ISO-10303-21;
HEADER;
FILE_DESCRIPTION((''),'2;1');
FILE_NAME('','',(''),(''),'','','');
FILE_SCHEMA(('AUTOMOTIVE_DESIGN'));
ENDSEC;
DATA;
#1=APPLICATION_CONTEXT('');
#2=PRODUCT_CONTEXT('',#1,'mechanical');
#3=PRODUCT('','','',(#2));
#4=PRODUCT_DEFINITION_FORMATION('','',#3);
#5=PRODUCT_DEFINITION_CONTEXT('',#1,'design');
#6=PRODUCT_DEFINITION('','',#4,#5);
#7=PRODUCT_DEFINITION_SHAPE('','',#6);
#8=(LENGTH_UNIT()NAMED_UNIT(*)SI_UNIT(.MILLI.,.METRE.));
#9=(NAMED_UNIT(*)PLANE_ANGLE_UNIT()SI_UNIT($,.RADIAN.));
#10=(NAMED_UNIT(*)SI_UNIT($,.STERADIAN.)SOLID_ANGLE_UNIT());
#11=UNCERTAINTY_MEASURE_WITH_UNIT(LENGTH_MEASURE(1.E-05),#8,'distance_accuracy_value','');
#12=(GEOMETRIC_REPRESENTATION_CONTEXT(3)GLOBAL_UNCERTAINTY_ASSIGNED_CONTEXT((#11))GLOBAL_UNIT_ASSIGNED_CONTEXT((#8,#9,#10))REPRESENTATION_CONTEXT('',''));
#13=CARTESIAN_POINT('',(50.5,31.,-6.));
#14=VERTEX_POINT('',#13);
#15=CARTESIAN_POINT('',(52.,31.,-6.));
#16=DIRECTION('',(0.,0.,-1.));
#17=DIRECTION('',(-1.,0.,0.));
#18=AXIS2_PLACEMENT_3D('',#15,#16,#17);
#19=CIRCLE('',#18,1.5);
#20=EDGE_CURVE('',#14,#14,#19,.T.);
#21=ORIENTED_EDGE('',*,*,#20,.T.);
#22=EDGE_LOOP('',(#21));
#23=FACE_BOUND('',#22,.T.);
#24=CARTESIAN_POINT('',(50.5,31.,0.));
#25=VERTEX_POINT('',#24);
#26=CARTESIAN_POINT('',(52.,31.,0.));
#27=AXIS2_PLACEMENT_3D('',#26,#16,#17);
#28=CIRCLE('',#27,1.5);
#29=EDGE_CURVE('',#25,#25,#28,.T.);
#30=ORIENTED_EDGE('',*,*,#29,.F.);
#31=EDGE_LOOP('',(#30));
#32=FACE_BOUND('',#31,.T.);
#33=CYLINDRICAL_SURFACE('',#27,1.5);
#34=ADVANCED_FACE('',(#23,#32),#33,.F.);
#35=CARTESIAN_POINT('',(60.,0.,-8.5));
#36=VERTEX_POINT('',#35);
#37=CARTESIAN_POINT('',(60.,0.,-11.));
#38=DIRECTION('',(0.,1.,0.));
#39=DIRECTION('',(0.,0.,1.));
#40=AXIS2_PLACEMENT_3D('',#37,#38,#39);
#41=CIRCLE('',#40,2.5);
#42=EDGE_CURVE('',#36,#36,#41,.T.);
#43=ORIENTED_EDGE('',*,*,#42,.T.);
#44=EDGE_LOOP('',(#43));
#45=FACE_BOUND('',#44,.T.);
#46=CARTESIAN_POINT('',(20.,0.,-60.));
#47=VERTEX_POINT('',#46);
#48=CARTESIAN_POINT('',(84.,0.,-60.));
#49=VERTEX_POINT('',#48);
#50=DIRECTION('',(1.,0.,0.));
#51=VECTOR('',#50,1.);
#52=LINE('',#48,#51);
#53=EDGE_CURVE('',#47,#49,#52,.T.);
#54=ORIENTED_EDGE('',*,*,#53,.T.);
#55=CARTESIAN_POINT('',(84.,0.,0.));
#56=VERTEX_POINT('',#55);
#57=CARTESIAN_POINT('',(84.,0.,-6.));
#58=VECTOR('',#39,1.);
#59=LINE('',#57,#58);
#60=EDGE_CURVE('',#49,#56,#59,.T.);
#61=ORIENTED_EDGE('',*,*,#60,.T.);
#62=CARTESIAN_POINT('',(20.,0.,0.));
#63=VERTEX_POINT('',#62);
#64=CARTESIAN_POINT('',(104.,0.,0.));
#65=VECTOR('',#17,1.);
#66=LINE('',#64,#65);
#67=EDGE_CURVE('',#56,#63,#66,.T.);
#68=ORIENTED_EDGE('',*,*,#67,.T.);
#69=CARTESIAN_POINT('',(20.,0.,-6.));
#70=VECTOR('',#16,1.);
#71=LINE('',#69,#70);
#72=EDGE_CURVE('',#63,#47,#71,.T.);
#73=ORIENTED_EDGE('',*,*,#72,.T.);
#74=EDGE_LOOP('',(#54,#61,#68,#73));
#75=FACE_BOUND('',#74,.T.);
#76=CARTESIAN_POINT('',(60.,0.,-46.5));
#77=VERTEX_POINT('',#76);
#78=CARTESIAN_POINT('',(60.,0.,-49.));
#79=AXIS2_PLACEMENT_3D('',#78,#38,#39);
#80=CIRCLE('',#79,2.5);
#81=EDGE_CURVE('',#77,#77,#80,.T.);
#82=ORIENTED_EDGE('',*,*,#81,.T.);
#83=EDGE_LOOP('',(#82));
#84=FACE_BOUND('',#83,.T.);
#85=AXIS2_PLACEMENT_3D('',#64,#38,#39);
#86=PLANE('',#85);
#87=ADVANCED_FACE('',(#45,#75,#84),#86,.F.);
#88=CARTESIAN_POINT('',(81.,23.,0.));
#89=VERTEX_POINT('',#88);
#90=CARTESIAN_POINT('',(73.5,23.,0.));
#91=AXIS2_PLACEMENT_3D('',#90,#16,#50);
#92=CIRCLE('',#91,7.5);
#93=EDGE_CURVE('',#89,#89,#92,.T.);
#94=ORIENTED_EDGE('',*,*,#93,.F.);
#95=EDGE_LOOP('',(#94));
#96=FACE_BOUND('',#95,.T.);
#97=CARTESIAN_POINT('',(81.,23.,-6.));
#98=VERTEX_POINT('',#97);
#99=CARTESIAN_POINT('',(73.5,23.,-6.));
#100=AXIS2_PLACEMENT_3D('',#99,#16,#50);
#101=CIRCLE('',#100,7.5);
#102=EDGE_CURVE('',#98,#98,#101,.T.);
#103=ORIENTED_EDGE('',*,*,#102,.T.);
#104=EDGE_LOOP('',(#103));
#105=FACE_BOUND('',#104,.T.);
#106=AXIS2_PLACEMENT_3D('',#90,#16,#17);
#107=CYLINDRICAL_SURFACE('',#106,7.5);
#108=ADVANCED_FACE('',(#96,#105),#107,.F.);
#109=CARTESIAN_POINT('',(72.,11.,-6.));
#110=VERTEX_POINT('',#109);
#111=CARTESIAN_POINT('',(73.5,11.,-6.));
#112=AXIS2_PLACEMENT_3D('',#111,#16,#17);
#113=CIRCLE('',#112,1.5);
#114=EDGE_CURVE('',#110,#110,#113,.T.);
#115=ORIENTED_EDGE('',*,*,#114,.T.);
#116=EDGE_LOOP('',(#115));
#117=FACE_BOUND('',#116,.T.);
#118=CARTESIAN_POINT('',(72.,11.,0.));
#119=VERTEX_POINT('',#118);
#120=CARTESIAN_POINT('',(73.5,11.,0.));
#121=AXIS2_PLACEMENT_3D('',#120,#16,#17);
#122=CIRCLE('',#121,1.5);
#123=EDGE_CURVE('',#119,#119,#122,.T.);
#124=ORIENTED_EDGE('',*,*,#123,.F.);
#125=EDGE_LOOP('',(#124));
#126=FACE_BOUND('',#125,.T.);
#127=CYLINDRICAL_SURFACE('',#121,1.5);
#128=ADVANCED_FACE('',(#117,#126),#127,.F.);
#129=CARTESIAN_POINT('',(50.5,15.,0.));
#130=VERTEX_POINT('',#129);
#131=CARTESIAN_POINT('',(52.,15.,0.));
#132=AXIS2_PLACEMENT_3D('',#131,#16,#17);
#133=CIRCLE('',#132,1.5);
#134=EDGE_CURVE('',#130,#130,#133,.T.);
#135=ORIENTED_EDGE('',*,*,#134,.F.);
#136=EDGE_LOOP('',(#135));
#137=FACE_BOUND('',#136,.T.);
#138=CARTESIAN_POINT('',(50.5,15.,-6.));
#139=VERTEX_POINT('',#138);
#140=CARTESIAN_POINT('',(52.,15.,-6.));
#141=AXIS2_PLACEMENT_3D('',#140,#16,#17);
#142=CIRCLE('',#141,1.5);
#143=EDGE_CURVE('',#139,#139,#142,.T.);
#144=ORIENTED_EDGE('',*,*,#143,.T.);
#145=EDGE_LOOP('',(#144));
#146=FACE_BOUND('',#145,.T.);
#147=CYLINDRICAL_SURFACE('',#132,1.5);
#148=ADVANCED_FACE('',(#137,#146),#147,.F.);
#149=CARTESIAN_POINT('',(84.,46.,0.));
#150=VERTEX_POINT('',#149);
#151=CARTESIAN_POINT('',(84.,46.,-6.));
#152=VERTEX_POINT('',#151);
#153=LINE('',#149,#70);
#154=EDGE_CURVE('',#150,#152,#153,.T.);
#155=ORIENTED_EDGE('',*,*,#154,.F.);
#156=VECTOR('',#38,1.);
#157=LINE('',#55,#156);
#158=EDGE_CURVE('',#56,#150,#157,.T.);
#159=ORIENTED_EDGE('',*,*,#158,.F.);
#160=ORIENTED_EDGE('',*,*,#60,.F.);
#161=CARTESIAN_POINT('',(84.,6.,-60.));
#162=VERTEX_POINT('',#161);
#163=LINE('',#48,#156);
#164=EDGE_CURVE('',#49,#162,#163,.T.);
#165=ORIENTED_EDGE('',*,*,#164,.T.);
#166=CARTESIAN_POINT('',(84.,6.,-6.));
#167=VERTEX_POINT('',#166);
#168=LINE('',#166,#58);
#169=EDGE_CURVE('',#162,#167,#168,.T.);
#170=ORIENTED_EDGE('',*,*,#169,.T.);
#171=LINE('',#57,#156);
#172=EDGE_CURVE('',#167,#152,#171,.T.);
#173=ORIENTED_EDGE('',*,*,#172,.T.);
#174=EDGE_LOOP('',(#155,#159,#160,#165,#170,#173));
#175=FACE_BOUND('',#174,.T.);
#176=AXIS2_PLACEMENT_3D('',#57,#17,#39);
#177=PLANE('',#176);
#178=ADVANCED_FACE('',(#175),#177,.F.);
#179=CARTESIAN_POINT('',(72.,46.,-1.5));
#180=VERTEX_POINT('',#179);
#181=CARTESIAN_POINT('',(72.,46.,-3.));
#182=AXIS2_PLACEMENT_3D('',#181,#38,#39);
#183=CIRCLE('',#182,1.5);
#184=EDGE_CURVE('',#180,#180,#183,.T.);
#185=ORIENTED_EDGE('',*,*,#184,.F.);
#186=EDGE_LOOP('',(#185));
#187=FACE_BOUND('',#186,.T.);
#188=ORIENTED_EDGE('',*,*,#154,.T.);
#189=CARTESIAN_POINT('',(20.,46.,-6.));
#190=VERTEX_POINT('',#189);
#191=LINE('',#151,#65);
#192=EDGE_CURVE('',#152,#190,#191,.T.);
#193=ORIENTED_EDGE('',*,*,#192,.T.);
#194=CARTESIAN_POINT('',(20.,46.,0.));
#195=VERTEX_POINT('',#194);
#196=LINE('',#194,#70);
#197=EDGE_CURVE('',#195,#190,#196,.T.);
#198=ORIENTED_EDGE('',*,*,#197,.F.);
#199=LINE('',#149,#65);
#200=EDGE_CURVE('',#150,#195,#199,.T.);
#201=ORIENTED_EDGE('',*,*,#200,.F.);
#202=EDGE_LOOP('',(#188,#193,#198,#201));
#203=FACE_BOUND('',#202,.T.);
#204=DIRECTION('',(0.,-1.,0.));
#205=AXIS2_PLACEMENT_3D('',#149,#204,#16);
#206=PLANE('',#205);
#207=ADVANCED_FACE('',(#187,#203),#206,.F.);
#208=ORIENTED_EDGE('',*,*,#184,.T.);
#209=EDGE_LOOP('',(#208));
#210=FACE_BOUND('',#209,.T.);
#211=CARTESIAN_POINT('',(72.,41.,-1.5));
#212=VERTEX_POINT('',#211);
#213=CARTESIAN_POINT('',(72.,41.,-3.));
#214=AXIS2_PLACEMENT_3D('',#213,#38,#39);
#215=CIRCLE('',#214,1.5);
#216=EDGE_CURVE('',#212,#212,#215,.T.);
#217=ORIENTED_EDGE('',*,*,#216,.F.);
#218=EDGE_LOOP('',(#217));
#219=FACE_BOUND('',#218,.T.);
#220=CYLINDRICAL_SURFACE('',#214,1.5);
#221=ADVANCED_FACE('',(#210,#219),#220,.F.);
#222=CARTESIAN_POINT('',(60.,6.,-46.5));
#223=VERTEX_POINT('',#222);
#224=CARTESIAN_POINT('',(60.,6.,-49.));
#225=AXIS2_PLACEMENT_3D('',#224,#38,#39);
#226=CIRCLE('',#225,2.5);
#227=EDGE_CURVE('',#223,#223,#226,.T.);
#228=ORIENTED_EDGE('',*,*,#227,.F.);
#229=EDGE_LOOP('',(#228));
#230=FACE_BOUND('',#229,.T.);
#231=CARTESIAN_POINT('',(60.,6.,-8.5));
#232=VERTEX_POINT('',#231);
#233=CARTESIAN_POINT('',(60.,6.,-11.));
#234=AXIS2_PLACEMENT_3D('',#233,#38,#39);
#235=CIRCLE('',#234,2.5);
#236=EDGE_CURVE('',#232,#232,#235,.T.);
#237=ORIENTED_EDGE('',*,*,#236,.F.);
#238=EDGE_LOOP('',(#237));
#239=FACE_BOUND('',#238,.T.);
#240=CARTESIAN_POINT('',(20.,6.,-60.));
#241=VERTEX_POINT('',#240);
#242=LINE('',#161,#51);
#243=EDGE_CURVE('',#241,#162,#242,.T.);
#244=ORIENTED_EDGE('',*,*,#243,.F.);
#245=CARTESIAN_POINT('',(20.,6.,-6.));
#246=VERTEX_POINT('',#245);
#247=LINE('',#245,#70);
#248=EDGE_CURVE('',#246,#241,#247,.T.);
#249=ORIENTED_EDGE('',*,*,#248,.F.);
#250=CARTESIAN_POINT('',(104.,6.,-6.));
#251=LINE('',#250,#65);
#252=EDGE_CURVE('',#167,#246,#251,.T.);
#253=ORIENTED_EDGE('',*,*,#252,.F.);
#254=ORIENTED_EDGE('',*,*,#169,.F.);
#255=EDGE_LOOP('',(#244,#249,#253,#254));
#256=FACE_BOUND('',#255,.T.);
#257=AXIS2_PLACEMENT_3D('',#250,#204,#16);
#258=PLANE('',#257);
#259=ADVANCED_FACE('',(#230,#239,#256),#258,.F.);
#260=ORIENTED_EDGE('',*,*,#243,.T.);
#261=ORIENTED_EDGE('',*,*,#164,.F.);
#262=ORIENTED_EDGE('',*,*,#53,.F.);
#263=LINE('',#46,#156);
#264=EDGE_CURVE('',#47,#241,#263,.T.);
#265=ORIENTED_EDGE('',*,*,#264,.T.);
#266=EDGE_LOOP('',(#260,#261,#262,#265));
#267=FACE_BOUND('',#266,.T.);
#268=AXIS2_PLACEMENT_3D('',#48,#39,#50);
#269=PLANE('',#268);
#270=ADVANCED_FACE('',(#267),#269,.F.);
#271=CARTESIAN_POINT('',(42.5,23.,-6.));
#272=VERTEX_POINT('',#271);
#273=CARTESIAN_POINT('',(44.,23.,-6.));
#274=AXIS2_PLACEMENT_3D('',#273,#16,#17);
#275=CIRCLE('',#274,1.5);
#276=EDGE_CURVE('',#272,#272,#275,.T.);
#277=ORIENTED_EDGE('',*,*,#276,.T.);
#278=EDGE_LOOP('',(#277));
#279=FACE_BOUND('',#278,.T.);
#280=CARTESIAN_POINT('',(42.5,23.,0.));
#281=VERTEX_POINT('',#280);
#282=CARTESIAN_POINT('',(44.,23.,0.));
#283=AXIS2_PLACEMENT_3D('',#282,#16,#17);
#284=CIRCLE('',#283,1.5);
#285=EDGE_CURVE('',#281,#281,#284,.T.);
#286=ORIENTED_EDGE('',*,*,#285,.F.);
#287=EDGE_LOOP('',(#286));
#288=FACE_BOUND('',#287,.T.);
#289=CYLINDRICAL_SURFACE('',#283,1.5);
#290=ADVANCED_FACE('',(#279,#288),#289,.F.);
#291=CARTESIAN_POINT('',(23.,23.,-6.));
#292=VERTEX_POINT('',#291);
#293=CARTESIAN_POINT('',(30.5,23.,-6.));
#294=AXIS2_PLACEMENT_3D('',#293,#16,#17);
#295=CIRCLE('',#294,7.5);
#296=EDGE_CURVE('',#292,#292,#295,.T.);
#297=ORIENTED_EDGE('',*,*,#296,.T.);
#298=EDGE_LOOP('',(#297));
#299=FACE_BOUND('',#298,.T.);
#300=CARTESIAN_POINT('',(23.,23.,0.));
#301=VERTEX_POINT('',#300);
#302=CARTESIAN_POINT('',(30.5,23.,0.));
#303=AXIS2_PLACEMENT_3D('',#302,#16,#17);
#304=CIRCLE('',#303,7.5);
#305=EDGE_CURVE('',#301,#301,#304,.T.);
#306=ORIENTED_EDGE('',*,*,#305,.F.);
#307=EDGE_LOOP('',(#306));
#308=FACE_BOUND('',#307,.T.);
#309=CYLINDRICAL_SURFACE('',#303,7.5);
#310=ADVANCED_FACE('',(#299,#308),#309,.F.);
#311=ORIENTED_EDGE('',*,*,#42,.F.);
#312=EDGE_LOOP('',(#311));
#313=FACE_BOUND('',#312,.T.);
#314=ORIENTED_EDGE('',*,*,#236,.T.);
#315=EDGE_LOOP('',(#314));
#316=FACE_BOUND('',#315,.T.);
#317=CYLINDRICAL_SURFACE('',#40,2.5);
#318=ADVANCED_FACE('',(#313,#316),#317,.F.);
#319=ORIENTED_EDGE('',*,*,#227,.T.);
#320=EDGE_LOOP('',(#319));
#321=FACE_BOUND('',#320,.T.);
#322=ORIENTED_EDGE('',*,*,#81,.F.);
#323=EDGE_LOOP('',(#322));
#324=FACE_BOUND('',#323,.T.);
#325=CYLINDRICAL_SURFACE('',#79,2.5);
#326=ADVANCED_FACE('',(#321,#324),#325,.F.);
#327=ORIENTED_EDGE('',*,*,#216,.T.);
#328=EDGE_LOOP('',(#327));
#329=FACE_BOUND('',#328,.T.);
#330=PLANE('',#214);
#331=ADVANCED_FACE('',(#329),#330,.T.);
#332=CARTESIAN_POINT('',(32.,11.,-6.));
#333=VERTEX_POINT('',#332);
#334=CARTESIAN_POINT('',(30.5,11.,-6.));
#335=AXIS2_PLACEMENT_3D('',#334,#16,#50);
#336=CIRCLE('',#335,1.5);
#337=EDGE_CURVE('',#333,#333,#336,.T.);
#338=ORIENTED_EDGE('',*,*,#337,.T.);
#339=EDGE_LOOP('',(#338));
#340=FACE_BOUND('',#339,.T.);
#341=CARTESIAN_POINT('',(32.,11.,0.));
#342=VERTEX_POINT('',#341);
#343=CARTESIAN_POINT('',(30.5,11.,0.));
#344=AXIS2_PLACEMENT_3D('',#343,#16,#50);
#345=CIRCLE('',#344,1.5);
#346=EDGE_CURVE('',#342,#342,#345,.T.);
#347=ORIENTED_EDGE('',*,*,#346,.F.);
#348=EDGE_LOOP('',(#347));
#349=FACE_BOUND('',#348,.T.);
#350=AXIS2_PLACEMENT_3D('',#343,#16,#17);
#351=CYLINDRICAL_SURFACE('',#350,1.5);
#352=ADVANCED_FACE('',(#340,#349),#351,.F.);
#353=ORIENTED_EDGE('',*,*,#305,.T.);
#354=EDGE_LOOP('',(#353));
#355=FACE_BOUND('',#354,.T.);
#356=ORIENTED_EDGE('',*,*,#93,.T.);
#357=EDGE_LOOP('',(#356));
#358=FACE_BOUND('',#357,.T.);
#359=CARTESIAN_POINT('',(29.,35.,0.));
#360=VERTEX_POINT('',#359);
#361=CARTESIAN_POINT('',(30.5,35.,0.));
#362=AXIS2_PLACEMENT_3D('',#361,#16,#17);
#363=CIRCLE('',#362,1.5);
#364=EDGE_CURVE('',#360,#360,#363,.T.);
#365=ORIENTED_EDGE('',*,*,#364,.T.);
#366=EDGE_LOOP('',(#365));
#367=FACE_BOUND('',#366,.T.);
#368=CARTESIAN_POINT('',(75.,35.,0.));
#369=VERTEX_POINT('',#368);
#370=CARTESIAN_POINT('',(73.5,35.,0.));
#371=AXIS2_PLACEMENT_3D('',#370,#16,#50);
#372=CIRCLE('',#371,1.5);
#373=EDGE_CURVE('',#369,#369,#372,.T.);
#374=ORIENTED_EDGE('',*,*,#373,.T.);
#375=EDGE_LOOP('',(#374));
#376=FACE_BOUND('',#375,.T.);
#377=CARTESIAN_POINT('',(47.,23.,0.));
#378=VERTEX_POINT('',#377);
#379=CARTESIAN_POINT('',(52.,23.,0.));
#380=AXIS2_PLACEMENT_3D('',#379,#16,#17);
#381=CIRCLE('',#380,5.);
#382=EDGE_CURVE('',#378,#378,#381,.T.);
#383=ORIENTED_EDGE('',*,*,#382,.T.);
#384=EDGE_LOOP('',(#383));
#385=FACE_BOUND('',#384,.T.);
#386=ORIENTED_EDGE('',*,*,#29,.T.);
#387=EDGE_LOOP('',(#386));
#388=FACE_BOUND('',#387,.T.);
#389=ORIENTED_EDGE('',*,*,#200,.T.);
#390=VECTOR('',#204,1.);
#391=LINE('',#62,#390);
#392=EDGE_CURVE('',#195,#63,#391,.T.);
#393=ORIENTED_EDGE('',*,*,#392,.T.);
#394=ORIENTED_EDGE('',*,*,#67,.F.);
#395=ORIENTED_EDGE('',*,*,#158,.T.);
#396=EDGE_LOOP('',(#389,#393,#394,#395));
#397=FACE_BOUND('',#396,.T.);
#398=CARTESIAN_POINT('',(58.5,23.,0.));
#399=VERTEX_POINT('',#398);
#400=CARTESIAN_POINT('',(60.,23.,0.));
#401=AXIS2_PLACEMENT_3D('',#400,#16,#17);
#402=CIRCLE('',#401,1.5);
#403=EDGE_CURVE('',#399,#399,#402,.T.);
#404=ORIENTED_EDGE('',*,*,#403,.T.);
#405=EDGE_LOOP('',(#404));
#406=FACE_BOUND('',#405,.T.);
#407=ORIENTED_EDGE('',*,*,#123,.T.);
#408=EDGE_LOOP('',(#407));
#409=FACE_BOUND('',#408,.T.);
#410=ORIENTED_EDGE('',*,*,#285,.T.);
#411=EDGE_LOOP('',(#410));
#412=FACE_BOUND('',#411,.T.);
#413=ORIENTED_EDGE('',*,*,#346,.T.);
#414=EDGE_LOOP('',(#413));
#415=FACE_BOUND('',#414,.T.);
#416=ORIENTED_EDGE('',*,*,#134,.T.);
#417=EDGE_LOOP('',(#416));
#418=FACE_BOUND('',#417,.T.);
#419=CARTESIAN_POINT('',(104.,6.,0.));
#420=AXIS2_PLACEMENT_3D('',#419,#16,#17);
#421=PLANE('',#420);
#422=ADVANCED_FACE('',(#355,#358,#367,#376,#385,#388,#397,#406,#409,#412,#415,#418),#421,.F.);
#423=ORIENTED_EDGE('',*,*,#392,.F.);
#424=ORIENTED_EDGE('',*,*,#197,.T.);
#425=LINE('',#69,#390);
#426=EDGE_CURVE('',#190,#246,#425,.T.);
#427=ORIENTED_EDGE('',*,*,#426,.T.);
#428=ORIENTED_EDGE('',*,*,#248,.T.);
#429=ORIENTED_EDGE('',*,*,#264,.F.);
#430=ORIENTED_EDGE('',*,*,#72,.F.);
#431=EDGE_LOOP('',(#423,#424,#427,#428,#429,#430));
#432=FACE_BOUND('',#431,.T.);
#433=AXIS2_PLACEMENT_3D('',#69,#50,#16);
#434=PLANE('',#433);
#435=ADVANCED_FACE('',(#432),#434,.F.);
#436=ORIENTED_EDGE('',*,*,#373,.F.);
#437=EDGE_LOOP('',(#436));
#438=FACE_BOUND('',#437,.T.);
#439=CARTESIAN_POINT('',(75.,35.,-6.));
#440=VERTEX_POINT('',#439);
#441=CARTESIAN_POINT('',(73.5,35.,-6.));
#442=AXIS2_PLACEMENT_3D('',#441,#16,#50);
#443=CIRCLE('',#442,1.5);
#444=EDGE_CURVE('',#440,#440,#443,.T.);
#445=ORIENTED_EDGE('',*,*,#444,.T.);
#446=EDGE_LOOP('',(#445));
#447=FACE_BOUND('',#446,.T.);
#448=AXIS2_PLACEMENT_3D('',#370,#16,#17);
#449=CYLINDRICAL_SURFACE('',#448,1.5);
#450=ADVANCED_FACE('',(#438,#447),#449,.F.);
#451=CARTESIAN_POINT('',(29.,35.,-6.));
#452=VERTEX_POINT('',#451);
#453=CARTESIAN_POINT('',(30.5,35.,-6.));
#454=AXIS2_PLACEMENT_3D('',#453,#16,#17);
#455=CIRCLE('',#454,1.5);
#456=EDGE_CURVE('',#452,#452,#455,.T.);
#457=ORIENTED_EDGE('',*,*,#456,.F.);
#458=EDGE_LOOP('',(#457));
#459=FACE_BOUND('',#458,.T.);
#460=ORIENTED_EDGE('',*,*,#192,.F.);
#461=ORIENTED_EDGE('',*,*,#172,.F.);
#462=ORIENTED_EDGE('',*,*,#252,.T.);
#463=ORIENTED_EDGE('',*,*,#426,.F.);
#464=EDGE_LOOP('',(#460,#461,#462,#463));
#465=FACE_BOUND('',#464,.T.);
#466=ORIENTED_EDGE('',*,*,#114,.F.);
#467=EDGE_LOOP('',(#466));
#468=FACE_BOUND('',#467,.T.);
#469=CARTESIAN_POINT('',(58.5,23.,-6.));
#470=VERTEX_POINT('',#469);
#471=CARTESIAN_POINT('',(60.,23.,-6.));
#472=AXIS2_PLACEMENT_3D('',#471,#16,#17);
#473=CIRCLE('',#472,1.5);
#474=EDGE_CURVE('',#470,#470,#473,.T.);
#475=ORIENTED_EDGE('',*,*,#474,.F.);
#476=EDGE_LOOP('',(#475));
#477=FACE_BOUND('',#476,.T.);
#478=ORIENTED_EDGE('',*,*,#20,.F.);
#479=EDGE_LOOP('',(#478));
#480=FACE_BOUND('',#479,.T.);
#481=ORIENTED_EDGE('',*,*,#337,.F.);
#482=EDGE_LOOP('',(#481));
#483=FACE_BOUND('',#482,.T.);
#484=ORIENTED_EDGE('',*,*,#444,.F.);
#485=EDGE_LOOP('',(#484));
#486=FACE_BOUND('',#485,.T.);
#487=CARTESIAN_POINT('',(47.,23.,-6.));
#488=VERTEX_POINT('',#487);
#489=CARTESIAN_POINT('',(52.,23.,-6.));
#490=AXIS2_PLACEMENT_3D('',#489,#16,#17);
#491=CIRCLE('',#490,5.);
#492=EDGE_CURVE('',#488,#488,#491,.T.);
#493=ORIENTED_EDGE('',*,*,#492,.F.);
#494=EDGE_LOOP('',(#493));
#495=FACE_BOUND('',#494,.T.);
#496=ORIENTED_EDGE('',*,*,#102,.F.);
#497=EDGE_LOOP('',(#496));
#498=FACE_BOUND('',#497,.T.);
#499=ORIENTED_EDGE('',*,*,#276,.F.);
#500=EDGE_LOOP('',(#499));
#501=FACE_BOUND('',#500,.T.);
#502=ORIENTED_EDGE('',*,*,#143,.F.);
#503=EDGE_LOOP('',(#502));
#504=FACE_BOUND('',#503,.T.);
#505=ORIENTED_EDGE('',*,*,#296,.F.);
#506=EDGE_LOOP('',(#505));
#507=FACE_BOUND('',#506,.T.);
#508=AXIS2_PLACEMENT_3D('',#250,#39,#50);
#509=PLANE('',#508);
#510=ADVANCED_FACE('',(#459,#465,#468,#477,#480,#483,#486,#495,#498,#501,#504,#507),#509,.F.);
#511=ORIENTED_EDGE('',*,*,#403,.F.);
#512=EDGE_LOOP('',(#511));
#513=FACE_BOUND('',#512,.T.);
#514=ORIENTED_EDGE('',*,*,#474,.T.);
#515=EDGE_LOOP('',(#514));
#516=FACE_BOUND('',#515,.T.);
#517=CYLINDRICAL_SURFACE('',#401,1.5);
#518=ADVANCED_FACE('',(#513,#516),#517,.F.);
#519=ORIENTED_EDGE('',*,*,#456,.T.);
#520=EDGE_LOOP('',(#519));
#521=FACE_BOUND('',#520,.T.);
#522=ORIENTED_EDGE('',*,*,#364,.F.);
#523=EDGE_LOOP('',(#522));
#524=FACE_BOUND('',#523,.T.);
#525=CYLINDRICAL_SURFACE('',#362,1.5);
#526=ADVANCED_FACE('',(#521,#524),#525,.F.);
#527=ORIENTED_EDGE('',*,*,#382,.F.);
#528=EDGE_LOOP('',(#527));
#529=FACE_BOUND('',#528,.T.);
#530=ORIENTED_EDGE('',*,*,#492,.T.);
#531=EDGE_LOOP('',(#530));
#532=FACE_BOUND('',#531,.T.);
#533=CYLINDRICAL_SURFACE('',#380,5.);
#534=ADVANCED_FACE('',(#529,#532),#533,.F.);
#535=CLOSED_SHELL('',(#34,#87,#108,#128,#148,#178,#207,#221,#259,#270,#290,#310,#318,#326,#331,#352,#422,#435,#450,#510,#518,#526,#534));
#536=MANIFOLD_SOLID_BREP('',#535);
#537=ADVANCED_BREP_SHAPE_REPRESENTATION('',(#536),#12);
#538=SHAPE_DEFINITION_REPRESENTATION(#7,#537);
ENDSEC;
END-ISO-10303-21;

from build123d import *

# Parameters (mm, degrees)
EXTRUDE_1_DEPTH     = 104
SKETCH_2_R          = 2.5
CUT_EXTRUDE_1_DEPTH = 151.638640461
SKETCH_3_R          = 5
SKETCH_3_R_2        = 1.5
SKETCH_3_R_3        = 7.5
CUT_EXTRUDE_2_DEPTH = 142.887279204
SKETCH_4_R          = 1.5
CUT_EXTRUDE_3_DEPTH = 5


with BuildPart() as part:
    # 草图1 → 凸台-拉伸1 (new body)
    with BuildSketch(Plane(origin=(0, 0, 0), x_dir=(0, 0, -1), z_dir=(1, 0, 0))):
        Polygon((0, 0), (80, 0), (80, 6), (6, 6), (6, 80), (0, 80), (0, 6), align=None)
    extrude(amount=EXTRUDE_1_DEPTH)

    # 草图2 → 切除-拉伸1 (cut, through all)
    with BuildSketch(Plane(origin=(0, 6, 0), x_dir=(1, 0, 0), z_dir=(0, 1, 0))):
        with Locations(Location((60, 11, 0), (0, 0, 270))):
            Circle(SKETCH_2_R)
        with Locations(Location((60, 49, 0), (0, 0, 270))):
            Circle(SKETCH_2_R)
        Polygon((84, 60), (20, 60), (20, 6), (0, 6), (0, 80), (84, 80), (104, 80), (104, 6), (84, 6), align=None)
    extrude(amount=-CUT_EXTRUDE_1_DEPTH, mode=Mode.SUBTRACT)

    # 草图3 → 切除-拉伸2 (cut, through all)
    with BuildSketch(Plane(origin=(0, 0, -6), x_dir=(-1, 0, 0), z_dir=(0, 0, -1))):
        with Locations((-52, 23)):
            Circle(SKETCH_3_R)
        with Locations((-52, 15)):
            Circle(SKETCH_3_R_2)
        with Locations((-60, 23)):
            Circle(SKETCH_3_R_2)
        with Locations((-52, 31)):
            Circle(SKETCH_3_R_2)
        with Locations((-44, 23)):
            Circle(SKETCH_3_R_2)
        with Locations((-30.5, 23)):
            Circle(SKETCH_3_R_3)
        with Locations((-30.5, 35)):
            Circle(SKETCH_3_R_2)
        with Locations(Location((-30.5, 11, 0), (0, 0, 180))):
            Circle(SKETCH_3_R_2)
        with Locations((-73.5, 11)):
            Circle(SKETCH_3_R_2)
        with Locations(Location((-73.5, 23, 0), (0, 0, 180))):
            Circle(SKETCH_3_R_3)
        with Locations(Location((-73.5, 35, 0), (0, 0, 180))):
            Circle(SKETCH_3_R_2)
        Polygon((-84, 0), (-84, 46), (-20, 46), (-20, 0), (0, 0), (0, 80), (-104, 80), (-104, 0), align=None)
    extrude(amount=-CUT_EXTRUDE_2_DEPTH, mode=Mode.SUBTRACT)

    # 草图4 → 切除-拉伸3 (cut)
    with BuildSketch(Plane(origin=(0, 46, 0), x_dir=(1, 0, 0), z_dir=(0, 1, 0))):
        with Locations(Location((72, 3, 0), (0, 0, 270))):
            Circle(SKETCH_4_R)
    extrude(amount=-CUT_EXTRUDE_3_DEPTH, mode=Mode.SUBTRACT)


solid = part.part
